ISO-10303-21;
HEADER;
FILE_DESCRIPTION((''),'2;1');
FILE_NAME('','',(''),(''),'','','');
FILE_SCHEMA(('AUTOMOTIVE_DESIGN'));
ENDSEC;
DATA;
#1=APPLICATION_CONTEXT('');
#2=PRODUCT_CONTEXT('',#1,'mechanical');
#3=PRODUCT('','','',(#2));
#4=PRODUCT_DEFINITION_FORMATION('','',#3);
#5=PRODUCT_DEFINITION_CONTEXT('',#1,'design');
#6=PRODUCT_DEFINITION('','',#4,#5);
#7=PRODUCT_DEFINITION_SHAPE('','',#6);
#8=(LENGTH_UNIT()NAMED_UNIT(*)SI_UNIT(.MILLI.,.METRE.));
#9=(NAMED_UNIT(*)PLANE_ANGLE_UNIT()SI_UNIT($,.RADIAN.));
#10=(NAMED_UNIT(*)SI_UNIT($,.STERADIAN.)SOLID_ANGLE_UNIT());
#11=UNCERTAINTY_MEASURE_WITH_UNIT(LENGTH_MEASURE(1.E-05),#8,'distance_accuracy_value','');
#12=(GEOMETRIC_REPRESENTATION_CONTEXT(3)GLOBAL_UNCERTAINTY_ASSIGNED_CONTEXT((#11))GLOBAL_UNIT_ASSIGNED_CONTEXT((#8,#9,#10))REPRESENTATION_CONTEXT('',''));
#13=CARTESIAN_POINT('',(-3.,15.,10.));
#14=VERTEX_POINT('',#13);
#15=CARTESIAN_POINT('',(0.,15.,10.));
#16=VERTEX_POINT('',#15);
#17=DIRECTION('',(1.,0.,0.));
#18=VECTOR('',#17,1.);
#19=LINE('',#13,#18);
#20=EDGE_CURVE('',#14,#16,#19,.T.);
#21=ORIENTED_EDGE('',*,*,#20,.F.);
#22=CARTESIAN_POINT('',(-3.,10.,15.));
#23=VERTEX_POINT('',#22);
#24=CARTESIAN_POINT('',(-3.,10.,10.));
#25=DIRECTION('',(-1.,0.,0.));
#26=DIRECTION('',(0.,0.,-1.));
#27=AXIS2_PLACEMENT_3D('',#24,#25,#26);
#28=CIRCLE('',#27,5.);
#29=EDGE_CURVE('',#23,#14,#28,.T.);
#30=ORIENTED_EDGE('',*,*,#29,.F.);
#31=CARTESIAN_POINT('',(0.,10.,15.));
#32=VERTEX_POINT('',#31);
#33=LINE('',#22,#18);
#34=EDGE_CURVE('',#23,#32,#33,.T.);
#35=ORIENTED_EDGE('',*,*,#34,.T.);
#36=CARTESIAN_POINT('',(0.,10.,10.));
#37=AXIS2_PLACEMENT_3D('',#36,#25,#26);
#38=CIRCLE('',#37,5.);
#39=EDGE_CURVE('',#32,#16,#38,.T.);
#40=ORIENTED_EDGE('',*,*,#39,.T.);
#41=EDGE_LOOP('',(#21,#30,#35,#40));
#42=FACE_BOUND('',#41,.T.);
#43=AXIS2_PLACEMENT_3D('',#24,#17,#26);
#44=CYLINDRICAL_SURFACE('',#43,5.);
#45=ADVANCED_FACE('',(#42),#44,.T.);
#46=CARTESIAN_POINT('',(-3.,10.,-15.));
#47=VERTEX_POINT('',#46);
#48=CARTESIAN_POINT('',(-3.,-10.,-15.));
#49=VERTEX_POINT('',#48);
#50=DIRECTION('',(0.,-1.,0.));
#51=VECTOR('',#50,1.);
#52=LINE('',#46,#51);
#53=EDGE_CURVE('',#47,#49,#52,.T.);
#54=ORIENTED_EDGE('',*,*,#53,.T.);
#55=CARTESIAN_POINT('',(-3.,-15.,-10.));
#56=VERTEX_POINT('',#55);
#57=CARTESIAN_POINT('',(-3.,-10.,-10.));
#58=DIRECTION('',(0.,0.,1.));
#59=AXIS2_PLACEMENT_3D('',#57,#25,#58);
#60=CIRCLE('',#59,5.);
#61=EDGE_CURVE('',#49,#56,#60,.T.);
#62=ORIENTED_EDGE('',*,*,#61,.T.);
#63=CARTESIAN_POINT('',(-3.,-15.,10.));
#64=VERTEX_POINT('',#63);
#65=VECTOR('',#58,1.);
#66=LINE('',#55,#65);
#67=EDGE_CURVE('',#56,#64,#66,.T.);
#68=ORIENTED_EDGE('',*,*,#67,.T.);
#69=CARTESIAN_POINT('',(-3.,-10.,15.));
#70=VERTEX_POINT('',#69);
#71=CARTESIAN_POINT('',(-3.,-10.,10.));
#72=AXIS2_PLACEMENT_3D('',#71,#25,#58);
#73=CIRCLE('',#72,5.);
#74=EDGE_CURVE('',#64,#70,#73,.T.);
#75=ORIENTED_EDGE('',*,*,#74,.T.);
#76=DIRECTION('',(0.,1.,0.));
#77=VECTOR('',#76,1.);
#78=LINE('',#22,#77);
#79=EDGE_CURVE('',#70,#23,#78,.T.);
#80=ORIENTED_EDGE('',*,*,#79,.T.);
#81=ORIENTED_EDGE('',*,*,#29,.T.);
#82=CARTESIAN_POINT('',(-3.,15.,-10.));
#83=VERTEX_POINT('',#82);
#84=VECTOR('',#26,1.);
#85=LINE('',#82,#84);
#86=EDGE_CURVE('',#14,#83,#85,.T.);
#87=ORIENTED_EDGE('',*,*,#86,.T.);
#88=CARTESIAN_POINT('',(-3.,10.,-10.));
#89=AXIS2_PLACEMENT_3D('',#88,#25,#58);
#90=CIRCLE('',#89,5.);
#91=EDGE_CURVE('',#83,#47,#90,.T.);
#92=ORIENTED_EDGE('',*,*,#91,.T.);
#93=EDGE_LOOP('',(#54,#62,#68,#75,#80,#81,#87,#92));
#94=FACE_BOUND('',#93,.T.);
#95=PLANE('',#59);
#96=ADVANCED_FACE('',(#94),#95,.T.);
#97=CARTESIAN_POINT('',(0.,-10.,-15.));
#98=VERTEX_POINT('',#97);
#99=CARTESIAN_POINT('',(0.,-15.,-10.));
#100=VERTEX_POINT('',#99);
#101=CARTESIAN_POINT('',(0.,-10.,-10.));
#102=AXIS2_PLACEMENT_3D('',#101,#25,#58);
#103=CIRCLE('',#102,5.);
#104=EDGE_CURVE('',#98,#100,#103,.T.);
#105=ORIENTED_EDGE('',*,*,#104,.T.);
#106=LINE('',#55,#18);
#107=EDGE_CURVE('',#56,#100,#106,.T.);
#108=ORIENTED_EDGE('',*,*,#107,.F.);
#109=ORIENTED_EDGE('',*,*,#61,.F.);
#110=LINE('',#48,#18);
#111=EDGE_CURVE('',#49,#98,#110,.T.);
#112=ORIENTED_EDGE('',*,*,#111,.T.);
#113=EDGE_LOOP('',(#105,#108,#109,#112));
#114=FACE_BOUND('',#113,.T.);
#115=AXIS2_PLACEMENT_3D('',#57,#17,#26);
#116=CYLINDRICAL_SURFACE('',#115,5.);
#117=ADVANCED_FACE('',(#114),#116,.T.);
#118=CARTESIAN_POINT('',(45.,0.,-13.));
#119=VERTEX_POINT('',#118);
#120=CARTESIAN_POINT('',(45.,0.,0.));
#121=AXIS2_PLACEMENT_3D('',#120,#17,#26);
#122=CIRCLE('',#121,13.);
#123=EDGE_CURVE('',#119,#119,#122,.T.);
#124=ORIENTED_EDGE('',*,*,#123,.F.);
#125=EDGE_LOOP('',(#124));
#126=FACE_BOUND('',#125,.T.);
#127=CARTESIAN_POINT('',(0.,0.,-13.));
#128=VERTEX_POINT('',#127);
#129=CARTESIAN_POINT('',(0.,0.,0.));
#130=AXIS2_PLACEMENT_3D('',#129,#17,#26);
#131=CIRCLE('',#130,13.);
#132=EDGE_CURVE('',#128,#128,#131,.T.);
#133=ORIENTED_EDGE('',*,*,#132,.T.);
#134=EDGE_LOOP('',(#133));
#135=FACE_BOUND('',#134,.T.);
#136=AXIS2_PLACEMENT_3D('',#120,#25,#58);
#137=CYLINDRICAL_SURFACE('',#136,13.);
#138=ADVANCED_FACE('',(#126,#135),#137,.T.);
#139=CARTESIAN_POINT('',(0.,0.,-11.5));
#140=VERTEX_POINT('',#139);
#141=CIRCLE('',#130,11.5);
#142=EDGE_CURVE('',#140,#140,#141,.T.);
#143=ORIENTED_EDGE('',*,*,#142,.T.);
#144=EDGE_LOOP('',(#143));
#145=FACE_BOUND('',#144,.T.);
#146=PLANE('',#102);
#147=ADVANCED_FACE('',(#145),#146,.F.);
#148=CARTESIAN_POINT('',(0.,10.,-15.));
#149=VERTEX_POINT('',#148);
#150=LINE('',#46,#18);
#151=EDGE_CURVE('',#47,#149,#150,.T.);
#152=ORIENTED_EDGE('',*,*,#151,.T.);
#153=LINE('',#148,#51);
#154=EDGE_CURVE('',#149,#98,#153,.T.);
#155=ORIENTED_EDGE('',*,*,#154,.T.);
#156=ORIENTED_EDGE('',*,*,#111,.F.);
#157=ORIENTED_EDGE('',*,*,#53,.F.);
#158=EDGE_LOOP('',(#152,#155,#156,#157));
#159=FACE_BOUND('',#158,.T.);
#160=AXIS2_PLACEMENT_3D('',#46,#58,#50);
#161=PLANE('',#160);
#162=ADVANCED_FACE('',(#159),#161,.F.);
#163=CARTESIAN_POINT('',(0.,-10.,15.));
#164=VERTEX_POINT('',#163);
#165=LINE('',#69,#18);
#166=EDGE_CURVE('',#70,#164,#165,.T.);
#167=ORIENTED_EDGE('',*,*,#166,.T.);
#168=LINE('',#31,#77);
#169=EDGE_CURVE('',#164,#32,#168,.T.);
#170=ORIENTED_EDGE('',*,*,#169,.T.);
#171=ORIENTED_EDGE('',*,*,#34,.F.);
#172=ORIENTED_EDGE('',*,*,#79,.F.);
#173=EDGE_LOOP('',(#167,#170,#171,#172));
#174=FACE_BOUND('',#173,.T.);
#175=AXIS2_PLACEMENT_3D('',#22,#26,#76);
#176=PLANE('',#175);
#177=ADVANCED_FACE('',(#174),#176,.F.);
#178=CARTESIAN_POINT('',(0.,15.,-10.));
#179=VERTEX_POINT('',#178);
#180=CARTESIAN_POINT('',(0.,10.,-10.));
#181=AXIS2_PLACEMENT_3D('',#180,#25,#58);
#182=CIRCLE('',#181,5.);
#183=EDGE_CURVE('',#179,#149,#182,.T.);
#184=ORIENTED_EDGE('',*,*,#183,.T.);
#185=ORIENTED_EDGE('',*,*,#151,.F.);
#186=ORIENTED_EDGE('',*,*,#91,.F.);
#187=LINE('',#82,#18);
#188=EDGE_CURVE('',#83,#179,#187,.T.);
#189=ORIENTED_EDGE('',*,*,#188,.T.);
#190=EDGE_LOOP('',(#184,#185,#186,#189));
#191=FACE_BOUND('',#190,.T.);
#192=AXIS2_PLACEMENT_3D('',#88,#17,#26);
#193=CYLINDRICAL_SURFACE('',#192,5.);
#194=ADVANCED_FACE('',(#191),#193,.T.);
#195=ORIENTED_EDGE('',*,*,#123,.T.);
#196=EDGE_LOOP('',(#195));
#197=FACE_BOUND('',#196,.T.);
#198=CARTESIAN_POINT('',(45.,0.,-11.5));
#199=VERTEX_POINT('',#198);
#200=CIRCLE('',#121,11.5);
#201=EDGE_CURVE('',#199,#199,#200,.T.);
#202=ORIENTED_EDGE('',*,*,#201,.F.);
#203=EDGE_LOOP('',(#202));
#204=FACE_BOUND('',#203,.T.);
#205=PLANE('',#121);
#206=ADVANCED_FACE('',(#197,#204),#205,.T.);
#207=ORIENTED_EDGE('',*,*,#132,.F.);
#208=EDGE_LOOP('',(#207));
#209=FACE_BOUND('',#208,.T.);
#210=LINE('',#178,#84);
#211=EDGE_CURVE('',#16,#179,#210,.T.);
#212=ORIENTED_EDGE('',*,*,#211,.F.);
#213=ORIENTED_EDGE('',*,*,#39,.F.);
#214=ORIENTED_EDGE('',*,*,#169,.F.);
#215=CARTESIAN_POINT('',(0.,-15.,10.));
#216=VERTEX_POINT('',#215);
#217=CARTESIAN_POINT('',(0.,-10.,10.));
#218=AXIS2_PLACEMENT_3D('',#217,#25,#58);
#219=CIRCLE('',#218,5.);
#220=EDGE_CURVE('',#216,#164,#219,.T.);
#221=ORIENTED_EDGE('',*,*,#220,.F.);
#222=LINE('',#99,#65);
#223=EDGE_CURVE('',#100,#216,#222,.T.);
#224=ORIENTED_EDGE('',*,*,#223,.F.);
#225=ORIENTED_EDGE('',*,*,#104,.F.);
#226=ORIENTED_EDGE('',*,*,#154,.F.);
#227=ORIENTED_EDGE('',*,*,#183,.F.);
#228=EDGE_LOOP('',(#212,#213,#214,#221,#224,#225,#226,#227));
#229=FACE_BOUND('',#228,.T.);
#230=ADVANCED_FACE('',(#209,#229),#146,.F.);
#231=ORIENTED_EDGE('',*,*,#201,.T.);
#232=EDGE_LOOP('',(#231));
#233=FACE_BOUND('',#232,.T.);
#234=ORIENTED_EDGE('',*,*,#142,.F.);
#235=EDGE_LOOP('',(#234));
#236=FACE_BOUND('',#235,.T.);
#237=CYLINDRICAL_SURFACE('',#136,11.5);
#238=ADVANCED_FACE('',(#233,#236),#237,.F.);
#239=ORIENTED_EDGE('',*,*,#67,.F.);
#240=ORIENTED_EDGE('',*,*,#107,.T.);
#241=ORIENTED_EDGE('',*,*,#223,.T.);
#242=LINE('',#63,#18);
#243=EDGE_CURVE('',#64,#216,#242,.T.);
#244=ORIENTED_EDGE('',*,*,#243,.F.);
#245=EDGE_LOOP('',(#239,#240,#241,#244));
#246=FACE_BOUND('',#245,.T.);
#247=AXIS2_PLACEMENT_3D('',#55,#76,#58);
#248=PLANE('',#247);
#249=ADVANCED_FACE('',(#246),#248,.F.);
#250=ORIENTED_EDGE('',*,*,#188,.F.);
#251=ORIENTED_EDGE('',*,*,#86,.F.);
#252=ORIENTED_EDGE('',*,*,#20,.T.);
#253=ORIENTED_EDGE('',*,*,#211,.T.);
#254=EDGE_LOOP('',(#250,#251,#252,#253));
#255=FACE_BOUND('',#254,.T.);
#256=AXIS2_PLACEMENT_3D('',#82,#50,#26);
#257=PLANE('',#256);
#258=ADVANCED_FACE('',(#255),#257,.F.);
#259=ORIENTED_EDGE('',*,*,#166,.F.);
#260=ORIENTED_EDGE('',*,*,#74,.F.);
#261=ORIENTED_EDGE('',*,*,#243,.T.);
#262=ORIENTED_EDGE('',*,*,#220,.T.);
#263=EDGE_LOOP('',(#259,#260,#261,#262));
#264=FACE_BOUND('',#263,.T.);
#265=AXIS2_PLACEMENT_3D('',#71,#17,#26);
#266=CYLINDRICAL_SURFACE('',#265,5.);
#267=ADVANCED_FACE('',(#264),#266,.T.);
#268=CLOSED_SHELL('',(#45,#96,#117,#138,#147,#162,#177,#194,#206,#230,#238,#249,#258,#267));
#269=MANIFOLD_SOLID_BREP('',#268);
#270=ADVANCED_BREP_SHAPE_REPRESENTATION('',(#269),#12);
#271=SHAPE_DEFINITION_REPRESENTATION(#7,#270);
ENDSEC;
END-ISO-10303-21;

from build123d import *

# Parameters (mm, degrees)
SKETCH1_R           = 13
SKETCH1_R_2         = 11.5
BOSS_EXTRUDE5_DEPTH = 45
BOSS_EXTRUDE7_DEPTH = 3


with BuildPart() as part:
    # Sketch1 → Boss-Extrude5 (new body)
    with BuildSketch(Plane(origin=(0, 0, 0), x_dir=(0, 0, -1), z_dir=(1, 0, 0))):
        Circle(SKETCH1_R)
        Circle(SKETCH1_R_2, mode=Mode.SUBTRACT)
    extrude(amount=BOSS_EXTRUDE5_DEPTH)

    # Sketch5 → Boss-Extrude7 (add)
    with BuildSketch(Plane.ZY):
        with BuildLine():
            Line((-10, 15), (10, 15))
            ThreePointArc((10, 15), (13.535533906, 13.535533906), (15, 10))
            Line((15, 10), (15, -10))
            ThreePointArc((15, -10), (13.535533906, -13.535533906), (10, -15))
            Line((10, -15), (-10, -15))
            ThreePointArc((-10, -15), (-13.535533906, -13.535533906), (-15, -10))
            Line((-15, -10), (-15, 10))
            ThreePointArc((-15, 10), (-13.535533906, 13.535533906), (-10, 15))
        make_face()
    extrude(amount=BOSS_EXTRUDE7_DEPTH)


solid = part.part
